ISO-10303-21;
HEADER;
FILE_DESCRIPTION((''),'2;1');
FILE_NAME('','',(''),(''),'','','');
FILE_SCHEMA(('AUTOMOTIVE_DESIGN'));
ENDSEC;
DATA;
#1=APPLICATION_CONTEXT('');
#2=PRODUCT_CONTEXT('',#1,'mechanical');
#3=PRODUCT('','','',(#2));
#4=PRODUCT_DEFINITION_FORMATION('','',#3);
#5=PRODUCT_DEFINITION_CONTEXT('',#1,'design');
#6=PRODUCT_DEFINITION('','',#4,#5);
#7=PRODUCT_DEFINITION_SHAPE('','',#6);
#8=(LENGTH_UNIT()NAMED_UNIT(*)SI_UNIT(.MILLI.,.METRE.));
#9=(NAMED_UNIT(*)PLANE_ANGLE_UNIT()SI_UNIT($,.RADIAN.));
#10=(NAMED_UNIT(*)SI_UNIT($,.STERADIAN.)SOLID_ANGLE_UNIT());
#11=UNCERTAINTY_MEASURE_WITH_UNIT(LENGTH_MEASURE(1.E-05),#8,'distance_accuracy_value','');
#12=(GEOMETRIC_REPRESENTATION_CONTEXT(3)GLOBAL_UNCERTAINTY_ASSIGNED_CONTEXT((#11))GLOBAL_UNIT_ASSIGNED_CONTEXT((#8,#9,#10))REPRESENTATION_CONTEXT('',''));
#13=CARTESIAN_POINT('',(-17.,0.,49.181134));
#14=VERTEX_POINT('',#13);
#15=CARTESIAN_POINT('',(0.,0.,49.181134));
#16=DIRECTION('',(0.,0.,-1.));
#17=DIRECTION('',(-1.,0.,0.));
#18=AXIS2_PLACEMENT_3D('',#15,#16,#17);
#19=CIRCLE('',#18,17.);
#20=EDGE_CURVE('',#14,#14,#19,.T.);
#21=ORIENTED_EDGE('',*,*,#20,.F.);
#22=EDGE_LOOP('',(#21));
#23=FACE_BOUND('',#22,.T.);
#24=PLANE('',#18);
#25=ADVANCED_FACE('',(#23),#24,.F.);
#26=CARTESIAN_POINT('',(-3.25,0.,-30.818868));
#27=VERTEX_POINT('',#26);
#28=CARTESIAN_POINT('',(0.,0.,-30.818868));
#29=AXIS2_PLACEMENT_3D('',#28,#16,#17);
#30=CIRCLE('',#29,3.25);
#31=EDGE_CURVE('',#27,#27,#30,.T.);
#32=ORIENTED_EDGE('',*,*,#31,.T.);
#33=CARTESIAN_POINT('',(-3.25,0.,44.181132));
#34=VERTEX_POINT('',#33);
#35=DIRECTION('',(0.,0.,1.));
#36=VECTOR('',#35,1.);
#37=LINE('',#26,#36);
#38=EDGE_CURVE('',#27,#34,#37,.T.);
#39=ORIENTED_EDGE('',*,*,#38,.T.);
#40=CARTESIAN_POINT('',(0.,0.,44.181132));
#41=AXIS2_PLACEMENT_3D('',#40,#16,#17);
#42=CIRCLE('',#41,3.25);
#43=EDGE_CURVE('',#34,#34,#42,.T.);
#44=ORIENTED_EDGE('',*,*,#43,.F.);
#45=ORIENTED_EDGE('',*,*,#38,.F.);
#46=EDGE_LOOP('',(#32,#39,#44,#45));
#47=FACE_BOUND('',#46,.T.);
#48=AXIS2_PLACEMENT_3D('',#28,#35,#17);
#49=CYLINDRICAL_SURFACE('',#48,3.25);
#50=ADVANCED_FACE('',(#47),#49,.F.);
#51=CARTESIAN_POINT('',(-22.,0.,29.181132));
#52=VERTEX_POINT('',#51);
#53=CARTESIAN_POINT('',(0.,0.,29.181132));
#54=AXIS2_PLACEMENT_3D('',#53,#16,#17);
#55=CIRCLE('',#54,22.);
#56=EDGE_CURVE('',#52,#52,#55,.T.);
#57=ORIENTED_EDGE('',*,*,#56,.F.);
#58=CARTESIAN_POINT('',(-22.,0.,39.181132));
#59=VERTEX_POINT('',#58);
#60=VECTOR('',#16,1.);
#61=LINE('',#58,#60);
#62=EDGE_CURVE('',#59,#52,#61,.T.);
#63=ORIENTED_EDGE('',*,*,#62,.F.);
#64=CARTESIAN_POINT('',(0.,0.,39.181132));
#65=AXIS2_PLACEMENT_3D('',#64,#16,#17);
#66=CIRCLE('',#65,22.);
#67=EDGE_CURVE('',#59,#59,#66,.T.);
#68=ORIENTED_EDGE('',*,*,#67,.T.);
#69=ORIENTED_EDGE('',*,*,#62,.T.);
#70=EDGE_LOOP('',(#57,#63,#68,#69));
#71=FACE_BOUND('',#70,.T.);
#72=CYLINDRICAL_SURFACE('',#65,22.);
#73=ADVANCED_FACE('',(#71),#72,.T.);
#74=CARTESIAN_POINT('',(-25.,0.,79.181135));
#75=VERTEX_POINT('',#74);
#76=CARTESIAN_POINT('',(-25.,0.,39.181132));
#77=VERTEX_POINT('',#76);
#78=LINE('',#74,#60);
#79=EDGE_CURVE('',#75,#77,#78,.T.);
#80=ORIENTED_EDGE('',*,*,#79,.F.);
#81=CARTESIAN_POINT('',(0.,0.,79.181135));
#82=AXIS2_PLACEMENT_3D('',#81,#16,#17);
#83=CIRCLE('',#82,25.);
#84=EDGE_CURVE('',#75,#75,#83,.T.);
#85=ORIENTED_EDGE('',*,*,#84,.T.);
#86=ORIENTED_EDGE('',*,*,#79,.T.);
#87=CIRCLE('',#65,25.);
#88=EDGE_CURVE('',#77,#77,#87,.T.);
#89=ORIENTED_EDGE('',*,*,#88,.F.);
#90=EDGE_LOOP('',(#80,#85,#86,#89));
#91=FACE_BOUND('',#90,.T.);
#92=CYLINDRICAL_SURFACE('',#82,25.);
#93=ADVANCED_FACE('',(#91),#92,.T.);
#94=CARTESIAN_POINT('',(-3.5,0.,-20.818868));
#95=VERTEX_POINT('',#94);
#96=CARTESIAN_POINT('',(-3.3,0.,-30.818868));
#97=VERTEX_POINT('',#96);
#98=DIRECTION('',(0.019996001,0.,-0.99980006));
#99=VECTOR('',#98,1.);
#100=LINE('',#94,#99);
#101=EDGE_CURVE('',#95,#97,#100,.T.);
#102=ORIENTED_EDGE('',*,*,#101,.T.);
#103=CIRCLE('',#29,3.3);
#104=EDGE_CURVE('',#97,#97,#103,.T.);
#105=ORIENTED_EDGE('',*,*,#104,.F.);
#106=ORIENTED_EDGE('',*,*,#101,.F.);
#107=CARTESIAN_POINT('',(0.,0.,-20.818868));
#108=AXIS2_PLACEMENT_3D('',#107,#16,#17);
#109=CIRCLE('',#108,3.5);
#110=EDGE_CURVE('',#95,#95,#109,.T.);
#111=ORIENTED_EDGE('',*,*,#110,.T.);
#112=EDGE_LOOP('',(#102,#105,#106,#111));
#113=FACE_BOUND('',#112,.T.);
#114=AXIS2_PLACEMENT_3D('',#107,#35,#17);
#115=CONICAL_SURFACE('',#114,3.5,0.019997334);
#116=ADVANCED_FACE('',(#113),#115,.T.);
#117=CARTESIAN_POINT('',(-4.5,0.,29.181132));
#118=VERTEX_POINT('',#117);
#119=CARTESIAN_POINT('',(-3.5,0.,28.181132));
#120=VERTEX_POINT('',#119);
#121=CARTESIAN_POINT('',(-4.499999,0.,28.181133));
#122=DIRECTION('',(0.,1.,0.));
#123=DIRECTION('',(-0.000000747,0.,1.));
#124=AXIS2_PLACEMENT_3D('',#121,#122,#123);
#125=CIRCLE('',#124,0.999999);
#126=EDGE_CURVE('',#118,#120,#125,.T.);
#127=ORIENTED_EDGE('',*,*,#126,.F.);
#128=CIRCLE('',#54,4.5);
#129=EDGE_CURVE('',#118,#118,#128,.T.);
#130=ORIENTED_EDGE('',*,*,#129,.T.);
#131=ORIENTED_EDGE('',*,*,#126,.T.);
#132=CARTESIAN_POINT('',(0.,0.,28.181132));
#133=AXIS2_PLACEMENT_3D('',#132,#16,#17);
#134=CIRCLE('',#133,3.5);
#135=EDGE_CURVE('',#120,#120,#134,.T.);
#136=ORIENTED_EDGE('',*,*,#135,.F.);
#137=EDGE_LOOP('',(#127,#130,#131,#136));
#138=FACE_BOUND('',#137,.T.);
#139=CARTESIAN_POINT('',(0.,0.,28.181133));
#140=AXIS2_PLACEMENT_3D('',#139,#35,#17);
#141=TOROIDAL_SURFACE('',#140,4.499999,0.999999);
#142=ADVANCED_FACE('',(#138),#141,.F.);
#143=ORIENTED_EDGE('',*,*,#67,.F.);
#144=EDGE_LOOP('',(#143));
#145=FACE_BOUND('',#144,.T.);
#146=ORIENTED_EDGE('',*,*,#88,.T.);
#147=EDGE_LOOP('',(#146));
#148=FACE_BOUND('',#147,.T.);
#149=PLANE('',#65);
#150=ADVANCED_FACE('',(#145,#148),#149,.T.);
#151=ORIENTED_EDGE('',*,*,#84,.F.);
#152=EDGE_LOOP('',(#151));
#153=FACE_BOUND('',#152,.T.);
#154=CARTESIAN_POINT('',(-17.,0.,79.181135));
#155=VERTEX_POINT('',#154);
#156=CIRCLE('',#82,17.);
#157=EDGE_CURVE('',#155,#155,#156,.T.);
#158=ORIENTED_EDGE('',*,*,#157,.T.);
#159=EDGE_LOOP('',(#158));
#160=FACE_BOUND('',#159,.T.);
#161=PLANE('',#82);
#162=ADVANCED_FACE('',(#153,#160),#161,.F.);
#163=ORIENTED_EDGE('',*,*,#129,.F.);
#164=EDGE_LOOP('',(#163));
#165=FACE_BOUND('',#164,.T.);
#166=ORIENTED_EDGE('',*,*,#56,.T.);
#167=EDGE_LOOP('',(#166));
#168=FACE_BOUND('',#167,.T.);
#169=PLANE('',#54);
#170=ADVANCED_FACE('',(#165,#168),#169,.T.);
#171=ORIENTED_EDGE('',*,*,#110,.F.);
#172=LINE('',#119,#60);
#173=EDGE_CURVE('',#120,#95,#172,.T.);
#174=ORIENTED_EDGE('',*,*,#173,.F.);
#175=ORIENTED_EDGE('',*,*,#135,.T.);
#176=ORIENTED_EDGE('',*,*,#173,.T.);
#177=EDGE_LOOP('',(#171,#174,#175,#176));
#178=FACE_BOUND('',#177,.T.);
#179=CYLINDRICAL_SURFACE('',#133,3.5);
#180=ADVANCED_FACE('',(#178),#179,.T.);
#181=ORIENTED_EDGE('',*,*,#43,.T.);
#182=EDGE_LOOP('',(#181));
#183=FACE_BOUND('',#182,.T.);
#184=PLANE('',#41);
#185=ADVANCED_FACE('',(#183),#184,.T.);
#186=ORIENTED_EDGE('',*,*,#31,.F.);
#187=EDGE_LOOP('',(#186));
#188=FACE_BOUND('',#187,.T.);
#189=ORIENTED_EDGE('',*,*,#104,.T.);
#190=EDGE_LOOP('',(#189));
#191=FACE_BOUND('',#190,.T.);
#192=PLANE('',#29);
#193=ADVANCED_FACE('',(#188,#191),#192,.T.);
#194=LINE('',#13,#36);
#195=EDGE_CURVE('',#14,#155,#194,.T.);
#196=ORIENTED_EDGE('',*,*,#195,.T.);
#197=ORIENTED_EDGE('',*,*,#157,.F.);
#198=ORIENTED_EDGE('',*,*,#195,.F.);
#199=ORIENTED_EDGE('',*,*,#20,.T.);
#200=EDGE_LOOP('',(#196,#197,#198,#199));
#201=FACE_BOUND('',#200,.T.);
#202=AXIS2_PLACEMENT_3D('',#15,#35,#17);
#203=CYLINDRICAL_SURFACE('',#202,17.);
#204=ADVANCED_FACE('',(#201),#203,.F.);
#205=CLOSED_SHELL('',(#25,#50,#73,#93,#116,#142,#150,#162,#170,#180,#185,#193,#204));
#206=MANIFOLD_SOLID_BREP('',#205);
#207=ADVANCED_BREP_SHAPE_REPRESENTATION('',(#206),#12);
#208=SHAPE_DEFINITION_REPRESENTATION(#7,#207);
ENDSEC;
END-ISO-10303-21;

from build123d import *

# Parameters (mm, degrees)
F2_SIZE2 = 0.2
F2_SIZE  = 10


with BuildPart() as f1:
    # F0 (on Front) → F1 (revolve)
    with BuildSketch(Plane.XZ):
        with BuildLine():
            Line((0, 44.181132), (0, 49.181134))
            Line((0, 49.181134), (-17, 49.181134))
            Line((-17, 49.181134), (-17, 79.181135))
            Line((-17, 79.181135), (-25, 79.181135))
            Line((-25, 79.181135), (-25, 39.181132))
            Line((-25, 39.181132), (-22, 39.181132))
            Line((-22, 39.181132), (-22, 29.181132))
            Line((-22, 29.181132), (-4.5, 29.181132))
            ThreePointArc((-4.5, 29.181132), (-3.792893, 28.888239), (-3.5, 28.181132))
            Line((-3.5, 28.181132), (-3.5, -30.818868))
            Line((-3.5, -30.818868), (-3.25, -30.818868))
            Line((-3.25, -30.818868), (-3.25, 44.181132))
            Line((-3.25, 44.181132), (0, 44.181132))
        make_face()
    revolve(axis=Axis((0, 0, 1.49861), (0, 0, -1)))

    # F2
    f2_edges = [f1.edges().sort_by_distance(p)[0] for p in [
        (3.5, 0, -30.818868),
    ]]
    chamfer(f2_edges, length=F2_SIZE, length2=F2_SIZE2)


solid = f1.part
